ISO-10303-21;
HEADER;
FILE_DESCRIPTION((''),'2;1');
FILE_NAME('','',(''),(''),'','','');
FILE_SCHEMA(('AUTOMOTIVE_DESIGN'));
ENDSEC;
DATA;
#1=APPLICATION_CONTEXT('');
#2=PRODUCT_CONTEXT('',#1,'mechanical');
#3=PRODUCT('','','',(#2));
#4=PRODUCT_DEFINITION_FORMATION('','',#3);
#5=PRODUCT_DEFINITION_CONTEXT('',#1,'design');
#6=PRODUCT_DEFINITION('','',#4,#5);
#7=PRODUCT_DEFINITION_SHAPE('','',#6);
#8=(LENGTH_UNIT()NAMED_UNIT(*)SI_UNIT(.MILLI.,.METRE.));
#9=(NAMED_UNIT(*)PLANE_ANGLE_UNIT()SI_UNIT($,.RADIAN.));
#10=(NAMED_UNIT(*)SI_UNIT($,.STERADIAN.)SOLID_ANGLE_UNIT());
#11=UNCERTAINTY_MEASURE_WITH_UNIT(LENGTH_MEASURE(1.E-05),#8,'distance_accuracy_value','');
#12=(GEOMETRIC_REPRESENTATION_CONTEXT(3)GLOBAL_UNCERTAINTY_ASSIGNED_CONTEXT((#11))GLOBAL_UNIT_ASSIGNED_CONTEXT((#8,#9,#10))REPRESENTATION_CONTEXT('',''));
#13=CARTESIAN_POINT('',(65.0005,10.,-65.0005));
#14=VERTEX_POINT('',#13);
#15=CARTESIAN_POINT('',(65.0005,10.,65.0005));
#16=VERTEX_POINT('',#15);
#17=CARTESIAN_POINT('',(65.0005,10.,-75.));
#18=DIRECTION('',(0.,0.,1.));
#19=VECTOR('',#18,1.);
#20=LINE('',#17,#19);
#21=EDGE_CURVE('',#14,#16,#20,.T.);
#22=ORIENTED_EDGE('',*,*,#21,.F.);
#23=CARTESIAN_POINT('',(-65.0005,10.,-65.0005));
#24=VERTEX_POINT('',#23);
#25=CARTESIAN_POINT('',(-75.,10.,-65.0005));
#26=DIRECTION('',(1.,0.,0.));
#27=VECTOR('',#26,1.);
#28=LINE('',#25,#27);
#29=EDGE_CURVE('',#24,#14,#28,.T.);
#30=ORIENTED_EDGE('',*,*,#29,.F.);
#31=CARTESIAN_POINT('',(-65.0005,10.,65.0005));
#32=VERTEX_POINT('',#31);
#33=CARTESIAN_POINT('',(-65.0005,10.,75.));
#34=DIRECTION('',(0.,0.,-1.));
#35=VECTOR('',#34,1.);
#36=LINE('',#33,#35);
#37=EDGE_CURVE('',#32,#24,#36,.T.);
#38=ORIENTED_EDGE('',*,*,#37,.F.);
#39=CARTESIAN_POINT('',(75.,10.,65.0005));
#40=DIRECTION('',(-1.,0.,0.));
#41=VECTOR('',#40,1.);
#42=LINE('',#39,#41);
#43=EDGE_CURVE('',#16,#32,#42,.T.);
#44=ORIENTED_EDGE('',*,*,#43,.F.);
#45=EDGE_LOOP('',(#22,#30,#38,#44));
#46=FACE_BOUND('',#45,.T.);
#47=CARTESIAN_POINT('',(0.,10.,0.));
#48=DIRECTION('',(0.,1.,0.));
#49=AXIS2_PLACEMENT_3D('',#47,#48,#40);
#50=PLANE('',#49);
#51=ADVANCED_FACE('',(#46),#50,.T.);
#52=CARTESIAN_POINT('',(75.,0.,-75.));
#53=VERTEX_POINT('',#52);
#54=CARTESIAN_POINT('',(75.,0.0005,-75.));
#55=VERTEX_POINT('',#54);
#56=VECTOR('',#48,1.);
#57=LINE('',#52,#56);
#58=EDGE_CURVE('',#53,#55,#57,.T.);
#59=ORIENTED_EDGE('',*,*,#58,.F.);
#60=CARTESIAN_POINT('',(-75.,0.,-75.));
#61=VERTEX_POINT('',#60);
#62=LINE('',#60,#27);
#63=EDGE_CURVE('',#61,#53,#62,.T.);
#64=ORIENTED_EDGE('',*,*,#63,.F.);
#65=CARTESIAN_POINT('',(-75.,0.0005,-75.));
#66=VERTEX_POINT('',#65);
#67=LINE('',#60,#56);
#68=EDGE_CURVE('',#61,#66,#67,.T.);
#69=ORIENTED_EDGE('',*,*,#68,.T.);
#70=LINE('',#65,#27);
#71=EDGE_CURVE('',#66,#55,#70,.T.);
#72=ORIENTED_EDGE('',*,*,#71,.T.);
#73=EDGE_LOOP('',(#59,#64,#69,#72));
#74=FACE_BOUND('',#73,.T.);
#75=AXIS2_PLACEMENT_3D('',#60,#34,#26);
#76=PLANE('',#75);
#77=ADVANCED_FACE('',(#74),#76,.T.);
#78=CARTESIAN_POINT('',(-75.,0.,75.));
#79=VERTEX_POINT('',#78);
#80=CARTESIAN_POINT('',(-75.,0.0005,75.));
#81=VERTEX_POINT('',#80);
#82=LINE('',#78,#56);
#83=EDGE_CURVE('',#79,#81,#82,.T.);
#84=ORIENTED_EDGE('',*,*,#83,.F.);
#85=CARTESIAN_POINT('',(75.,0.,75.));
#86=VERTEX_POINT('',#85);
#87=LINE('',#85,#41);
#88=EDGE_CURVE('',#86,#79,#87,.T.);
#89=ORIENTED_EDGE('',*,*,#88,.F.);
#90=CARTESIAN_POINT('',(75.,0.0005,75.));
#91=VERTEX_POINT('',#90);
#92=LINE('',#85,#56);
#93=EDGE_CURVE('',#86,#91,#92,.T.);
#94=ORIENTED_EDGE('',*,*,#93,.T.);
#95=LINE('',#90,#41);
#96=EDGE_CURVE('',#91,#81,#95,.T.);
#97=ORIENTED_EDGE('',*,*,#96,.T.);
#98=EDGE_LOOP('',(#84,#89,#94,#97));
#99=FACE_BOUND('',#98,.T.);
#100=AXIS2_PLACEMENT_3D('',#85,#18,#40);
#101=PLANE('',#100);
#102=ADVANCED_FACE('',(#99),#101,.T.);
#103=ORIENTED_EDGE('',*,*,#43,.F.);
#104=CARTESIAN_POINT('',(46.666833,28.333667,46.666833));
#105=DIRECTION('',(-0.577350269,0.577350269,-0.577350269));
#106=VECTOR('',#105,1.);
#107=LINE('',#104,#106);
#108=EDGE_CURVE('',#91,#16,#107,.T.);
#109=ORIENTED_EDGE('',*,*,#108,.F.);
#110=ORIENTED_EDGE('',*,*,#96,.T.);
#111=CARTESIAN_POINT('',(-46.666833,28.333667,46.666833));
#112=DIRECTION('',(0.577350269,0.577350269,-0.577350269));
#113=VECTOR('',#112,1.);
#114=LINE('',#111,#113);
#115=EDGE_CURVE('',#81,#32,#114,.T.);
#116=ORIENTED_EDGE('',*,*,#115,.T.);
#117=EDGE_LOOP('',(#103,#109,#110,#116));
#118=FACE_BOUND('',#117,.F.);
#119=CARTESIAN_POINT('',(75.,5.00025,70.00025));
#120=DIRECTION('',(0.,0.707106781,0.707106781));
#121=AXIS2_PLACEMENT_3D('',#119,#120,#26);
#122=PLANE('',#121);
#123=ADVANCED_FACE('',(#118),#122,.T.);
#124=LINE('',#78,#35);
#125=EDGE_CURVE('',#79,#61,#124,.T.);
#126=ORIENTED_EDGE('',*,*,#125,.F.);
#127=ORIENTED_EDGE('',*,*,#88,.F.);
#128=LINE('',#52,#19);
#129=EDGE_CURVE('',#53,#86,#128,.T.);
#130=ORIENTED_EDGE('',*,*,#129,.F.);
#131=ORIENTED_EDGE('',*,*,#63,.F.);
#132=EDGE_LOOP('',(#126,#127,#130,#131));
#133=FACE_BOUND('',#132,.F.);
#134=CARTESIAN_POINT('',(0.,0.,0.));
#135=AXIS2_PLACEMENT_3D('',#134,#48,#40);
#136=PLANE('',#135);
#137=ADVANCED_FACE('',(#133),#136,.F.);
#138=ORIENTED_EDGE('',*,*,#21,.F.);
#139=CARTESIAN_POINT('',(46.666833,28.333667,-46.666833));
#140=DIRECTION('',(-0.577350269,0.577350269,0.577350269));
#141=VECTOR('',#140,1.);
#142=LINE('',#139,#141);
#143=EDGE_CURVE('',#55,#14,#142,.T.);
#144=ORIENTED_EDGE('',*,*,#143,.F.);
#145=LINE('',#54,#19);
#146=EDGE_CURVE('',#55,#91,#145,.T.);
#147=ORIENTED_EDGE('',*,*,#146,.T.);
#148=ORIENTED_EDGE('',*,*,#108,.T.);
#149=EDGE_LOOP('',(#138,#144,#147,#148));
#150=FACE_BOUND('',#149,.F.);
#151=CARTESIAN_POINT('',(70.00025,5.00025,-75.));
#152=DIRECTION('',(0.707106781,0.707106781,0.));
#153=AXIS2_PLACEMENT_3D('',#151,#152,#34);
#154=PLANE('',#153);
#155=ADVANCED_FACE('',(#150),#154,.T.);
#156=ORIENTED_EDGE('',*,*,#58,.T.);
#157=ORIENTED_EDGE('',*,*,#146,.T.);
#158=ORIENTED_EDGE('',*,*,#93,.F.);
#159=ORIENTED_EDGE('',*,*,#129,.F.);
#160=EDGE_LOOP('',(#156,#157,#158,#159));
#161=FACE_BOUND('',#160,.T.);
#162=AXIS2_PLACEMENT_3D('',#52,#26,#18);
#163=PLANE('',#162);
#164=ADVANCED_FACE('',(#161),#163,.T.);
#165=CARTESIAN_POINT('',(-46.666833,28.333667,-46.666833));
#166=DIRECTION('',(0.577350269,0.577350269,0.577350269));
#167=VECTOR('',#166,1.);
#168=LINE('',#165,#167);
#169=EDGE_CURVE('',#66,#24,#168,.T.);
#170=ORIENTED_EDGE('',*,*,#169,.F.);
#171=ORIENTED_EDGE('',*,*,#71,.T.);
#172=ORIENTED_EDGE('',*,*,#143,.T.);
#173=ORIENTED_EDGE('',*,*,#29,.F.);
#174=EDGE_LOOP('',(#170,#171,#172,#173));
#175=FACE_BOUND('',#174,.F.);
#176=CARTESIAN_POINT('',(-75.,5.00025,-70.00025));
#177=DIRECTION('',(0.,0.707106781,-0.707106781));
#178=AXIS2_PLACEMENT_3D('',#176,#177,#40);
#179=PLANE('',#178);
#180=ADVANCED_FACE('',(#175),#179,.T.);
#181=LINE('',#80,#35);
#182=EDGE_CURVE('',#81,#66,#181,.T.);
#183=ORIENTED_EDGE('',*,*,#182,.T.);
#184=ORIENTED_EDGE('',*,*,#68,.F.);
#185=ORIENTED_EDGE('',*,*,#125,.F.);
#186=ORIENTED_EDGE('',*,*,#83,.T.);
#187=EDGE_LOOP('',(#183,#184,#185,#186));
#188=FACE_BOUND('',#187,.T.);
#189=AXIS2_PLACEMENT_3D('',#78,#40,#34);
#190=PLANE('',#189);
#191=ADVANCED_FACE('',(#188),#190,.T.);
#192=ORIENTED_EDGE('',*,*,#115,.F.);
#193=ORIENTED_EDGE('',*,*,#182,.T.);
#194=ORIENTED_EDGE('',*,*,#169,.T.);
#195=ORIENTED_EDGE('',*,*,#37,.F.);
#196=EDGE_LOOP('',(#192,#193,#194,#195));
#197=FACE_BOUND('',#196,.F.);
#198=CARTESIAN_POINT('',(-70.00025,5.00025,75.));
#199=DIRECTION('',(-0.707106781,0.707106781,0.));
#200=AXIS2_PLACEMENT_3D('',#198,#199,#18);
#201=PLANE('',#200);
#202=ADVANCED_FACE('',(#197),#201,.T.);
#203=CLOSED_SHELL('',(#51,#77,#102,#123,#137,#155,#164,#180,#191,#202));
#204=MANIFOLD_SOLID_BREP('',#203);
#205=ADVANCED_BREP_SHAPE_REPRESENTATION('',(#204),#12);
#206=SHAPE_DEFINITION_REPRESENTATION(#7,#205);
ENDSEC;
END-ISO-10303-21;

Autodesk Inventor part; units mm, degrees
ref_plane "YZ Plane" through (0, 0, 0) normal (1, 0, 0) x (0, 1, 0)
ref_plane "XZ Plane" through (0, 0, 0) normal (0, 1, 0) x (-1, 0, 0)
ref_plane "XY Plane" through (0, 0, 0) normal (0, 0, 1) x (1, 0, 0)
sketch "Sketch1" plane through (0, 0, 0) normal (0, 1, 0) x (-1, 0, 0)
  line L0 (75, -75) -> (-75, -75)
  line L1 (-75, -75) -> (-75, 75)
  line L2 (-75, 75) -> (75, 75)
  line L3 (75, 75) -> (75, -75)
  line L4 (75, -75) -> (-75, 75) construction
  line L5 (-75, -75) -> (75, 75) construction
  point P0 (0, 0)
  dimension "d0" = 150
  dimension "d1" = 150
extrude "Extrusion1" add sketch "Sketch1" along normal blind 10
chamfer "Chamfer1" distance 10 angle 45 4 edges at (0, 10, 75) (-75, 10, 0) (0, 10, -75) (75, 10, 0)
properties part number "side"
